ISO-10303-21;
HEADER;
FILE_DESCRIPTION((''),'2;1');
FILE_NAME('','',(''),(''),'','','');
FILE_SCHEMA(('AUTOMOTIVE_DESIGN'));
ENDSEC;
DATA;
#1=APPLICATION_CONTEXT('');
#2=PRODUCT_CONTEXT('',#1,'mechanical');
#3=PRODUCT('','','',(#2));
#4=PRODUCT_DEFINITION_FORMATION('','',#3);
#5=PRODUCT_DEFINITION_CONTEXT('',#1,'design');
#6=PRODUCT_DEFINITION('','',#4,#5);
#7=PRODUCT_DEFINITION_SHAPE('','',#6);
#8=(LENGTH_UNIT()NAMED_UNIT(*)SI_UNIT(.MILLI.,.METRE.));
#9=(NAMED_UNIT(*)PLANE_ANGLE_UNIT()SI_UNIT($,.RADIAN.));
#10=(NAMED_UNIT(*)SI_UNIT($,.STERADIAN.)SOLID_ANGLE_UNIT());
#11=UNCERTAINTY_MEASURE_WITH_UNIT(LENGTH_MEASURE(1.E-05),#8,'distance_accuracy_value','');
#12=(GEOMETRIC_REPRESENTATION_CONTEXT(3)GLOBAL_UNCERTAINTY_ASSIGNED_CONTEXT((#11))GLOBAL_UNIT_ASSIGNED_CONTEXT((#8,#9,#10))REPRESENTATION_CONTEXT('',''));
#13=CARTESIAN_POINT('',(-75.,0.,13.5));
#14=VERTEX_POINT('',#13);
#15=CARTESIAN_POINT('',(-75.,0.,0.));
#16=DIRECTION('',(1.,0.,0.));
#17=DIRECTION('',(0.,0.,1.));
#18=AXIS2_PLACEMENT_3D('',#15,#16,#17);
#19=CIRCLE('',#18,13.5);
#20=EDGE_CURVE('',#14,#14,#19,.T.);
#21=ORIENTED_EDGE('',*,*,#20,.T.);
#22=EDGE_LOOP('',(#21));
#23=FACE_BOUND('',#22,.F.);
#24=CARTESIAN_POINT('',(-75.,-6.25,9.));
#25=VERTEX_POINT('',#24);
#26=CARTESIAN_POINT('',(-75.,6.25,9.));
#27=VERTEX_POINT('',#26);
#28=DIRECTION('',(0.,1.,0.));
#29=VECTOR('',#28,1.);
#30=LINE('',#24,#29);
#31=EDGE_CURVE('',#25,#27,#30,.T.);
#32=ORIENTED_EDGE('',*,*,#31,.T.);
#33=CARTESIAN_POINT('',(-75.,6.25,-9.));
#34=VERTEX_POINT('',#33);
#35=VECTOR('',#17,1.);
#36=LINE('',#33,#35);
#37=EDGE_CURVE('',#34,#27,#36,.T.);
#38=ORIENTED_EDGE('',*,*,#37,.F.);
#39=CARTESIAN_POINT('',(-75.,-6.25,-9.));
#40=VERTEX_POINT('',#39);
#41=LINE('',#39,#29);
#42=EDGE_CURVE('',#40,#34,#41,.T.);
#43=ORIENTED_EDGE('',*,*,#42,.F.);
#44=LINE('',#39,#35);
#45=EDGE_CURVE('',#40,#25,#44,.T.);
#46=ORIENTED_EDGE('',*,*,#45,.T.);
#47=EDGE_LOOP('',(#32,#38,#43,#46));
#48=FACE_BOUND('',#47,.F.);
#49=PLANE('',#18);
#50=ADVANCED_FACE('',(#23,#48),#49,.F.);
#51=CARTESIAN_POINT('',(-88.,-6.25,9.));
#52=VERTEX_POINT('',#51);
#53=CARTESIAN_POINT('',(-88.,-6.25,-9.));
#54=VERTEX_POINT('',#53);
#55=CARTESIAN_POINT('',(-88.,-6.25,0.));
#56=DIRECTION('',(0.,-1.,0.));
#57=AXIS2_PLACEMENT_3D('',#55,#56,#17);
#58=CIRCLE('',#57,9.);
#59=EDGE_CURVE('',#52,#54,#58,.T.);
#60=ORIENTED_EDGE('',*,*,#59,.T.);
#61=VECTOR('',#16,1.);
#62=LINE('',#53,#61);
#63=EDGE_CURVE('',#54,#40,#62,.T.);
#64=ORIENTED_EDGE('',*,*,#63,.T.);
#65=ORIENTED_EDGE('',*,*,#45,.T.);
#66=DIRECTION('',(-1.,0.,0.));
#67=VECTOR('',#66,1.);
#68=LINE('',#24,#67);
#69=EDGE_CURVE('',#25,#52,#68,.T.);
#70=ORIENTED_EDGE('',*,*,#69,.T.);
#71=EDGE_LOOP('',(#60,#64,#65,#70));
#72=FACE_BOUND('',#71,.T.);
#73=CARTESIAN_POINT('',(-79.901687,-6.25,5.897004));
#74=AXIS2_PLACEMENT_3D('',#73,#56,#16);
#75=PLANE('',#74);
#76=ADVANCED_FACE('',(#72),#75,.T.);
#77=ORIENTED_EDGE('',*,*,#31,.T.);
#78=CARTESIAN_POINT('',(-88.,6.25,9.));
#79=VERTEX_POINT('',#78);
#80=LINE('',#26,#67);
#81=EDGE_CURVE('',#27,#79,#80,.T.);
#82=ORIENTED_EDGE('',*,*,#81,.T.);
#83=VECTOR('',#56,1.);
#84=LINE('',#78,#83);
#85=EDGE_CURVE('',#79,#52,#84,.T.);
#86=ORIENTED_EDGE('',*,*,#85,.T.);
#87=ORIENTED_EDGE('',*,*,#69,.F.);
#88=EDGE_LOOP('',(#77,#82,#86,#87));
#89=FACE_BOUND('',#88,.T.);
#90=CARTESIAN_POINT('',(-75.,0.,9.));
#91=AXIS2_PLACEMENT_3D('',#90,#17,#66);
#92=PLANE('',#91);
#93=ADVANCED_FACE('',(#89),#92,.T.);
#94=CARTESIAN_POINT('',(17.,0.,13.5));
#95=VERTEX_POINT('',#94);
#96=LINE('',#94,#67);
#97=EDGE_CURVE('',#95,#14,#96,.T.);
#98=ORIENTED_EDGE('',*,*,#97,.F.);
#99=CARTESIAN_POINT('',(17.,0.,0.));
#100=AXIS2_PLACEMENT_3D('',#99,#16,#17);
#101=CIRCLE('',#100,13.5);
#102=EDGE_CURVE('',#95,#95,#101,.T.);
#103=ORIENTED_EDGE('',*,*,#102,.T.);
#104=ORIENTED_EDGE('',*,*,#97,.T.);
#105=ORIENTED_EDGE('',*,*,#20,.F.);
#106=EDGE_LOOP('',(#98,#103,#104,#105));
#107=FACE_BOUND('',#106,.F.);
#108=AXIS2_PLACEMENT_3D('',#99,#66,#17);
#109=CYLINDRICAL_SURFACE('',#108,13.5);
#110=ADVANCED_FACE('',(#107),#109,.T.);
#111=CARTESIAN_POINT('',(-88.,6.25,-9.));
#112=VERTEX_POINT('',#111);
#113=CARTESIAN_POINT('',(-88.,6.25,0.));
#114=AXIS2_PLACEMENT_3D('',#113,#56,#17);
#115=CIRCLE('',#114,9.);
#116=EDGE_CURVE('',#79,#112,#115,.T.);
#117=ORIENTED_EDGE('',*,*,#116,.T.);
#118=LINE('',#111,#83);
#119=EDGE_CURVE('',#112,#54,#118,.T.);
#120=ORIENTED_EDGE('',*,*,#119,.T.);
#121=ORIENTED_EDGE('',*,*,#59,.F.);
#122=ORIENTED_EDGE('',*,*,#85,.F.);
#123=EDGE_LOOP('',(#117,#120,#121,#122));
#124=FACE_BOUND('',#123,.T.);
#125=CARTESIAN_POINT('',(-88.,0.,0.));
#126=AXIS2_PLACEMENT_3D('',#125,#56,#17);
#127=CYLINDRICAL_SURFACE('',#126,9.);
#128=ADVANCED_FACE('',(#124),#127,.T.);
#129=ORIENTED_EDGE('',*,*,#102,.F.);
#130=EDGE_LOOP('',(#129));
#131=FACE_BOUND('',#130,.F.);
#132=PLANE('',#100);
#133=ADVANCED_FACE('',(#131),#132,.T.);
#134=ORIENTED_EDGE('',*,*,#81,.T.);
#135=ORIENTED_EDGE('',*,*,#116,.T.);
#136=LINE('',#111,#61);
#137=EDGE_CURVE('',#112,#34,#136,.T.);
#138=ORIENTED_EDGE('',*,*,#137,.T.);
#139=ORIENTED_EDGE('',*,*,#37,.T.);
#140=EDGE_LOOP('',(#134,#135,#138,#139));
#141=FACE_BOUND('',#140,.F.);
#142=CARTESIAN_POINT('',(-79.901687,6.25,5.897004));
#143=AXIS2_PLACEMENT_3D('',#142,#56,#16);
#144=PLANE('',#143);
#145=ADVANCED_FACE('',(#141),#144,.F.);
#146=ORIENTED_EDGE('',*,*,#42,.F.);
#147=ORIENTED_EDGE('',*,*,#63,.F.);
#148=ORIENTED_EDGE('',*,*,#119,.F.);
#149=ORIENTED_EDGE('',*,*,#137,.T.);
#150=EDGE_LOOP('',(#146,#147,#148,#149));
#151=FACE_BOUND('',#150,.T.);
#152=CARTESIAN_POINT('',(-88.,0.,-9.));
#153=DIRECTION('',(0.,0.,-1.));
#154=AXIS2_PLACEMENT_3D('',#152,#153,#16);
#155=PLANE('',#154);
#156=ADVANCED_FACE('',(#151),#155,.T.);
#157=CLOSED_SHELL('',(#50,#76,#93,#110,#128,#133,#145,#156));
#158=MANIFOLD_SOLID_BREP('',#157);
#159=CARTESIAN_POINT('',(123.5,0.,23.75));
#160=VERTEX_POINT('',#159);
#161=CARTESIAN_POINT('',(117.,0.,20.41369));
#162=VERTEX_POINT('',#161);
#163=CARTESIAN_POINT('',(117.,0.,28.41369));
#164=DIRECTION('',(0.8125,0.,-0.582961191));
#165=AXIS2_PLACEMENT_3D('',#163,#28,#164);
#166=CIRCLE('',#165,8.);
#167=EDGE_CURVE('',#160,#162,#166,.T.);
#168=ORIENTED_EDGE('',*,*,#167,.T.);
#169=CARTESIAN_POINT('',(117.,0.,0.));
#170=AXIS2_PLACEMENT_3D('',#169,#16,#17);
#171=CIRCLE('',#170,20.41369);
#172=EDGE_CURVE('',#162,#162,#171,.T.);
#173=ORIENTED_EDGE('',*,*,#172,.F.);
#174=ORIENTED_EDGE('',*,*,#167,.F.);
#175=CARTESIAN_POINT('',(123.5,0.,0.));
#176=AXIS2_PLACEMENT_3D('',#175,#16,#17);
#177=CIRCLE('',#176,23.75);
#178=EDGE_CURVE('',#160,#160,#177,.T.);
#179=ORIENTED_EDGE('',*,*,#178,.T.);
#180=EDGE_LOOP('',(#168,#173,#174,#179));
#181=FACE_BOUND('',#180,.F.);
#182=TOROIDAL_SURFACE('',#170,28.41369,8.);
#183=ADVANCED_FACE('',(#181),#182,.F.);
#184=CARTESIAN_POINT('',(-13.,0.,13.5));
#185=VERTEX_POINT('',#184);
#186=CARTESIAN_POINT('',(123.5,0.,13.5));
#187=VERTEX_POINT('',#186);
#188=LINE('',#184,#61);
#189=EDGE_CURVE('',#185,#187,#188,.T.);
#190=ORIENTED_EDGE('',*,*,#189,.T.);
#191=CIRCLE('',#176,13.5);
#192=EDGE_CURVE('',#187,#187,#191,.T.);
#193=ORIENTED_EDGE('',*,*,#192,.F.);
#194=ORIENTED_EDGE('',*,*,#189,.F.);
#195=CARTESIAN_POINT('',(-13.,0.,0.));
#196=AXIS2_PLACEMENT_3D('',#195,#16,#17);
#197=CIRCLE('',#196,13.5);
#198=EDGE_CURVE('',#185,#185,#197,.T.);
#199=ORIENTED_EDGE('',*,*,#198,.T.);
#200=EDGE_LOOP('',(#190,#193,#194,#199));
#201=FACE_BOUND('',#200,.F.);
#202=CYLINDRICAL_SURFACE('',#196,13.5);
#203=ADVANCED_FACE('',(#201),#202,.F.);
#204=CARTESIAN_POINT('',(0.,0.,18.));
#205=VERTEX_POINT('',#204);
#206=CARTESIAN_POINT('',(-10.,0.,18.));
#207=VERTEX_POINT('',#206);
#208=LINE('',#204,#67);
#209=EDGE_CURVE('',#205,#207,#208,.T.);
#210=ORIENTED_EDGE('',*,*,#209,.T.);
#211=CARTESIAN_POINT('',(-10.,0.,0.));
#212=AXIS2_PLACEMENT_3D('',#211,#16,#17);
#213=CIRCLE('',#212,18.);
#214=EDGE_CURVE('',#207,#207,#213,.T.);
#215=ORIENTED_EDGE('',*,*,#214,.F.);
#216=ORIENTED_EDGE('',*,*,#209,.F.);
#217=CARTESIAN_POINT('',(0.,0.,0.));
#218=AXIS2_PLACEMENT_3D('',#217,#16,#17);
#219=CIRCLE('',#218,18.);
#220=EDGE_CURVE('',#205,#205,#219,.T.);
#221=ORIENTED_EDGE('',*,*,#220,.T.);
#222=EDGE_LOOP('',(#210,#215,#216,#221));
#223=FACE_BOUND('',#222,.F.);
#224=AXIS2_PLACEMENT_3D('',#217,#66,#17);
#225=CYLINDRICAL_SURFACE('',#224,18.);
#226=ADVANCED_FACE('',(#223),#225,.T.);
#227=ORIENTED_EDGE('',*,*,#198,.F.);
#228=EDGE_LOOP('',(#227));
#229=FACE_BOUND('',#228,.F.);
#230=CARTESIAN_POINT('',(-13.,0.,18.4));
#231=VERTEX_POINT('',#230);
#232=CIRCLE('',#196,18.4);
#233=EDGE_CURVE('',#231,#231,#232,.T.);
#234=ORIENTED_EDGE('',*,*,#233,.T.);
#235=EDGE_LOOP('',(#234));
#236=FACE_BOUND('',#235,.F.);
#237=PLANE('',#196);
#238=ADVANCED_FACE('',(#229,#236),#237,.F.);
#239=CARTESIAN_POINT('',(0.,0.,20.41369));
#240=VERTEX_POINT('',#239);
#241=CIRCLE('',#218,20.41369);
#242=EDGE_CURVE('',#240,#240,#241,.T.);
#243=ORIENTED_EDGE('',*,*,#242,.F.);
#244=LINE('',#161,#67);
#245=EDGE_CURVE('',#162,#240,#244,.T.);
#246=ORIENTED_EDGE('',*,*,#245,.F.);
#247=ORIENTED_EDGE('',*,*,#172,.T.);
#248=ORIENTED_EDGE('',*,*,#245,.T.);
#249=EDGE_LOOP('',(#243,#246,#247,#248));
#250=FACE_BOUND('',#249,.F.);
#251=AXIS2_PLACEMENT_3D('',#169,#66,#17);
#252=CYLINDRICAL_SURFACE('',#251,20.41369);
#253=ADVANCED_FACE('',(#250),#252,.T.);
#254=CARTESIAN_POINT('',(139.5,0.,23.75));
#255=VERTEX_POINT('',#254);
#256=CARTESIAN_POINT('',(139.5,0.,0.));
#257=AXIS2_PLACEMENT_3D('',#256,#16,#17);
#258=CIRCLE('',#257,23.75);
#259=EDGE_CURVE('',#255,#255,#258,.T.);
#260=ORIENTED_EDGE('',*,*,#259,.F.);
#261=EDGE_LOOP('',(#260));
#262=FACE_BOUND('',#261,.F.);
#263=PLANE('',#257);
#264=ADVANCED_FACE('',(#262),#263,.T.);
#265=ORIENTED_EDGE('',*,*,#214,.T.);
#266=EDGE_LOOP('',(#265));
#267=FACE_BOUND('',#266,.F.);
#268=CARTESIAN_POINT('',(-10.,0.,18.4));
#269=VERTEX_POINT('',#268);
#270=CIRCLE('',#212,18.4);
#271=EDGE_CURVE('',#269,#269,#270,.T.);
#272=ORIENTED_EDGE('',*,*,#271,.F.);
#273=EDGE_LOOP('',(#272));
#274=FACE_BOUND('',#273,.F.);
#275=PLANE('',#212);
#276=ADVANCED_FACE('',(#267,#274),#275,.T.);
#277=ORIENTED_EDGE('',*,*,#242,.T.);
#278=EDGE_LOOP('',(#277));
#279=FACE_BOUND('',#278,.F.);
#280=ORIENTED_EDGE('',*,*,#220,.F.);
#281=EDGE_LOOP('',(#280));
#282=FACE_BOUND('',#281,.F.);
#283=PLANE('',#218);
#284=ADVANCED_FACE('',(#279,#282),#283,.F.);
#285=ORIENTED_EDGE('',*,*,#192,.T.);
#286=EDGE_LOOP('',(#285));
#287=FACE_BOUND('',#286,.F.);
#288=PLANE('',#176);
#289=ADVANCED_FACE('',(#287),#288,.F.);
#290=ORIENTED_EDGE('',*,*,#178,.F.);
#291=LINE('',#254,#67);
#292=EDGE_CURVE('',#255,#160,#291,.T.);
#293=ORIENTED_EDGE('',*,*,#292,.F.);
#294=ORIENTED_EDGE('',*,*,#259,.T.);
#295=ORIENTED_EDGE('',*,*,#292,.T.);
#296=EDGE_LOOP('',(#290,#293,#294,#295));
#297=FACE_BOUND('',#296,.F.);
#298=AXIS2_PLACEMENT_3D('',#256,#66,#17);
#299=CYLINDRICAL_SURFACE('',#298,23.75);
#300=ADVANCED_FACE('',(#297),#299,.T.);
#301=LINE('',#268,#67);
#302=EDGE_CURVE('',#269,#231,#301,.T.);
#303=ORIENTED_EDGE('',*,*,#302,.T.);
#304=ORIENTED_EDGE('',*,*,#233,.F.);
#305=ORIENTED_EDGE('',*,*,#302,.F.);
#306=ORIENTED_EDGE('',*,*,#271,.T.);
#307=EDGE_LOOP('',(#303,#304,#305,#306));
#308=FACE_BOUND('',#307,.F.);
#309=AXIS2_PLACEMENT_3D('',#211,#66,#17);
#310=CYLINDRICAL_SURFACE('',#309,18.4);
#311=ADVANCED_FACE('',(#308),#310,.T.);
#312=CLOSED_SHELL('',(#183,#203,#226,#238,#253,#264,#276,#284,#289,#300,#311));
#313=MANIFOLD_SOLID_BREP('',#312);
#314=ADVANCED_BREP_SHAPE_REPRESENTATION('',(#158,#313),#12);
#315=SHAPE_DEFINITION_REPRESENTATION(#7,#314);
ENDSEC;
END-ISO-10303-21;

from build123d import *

# Parameters (mm, degrees)
F0_W     = 30
F0_H     = 13.5
F3_DEPTH = 6.25


with BuildPart() as f1:
    # F0 (on Front) → F1 (revolve)
    with BuildSketch(Plane.XZ):
        with BuildLine():
            Line((-13, 18.4), (-13, 13.5))
            Line((-13, 13.5), (17, 13.5))
            Line((17, 13.5), (123.5, 13.5))
            Line((123.5, 13.5), (123.5, 0))
            Line((123.5, 0), (139.5, 0))
            Line((139.5, 0), (139.5, 9))
            Line((139.5, 9), (139.5, 23.75))
            Line((139.5, 23.75), (123.5, 23.75))
            ThreePointArc((123.5, 23.75), (120.6531139996, 21.2964739118), (117, 20.4136895265))
            Line((117, 20.4136895265), (0, 20.4136895265))
            Line((0, 20.4136895265), (0, 18))
            Line((0, 18), (-10, 18))
            Line((-10, 18), (-10, 18.4))
            Line((-10, 18.4), (-13, 18.4))
        make_face()
    revolve(axis=Axis((37, 0, 0), (1, 0, 0)))


with BuildPart() as f2:
    # F0 (on Front) → F2 (revolve)
    with BuildSketch(Plane.XZ):
        Polygon((-75, 0), (-13, 0), (-13, 13.5), (-75, 13.5), (-75, 9), align=None)
        with Locations((2, 6.75)):
            Rectangle(F0_W, F0_H)
    revolve(axis=Axis((37, 0, 0), (1, 0, 0)))

    # F0 (on Front) → F3 (join, symmetric)
    with BuildSketch(Plane.XZ):
        with BuildLine():
            Line((-79, 0), (-75, 0))
            Line((-75, 0), (-75, 9))
            Line((-75, 9), (-88, 9))
            ThreePointArc((-88, 9), (-81.6360389693, 6.3639610307), (-79, 0))
        make_face()
        with BuildLine():
            Line((-75, -9), (-75, 0))
            Line((-75, 0), (-79, 0))
            ThreePointArc((-79, 0), (-81.6360389693, -6.3639610307), (-88, -9))
            Line((-88, -9), (-75, -9))
        make_face()
        with BuildLine():
            ThreePointArc((-88, -9), (-81.6360389693, -6.3639610307), (-79, 0))
            ThreePointArc((-79, 0), (-81.6360389693, 6.3639610307), (-88, 9))
            ThreePointArc((-88, 9), (-97, 0), (-88, -9))
        make_face()
    extrude(amount=F3_DEPTH, both=True)


solid = Compound([f1.part, f2.part])
